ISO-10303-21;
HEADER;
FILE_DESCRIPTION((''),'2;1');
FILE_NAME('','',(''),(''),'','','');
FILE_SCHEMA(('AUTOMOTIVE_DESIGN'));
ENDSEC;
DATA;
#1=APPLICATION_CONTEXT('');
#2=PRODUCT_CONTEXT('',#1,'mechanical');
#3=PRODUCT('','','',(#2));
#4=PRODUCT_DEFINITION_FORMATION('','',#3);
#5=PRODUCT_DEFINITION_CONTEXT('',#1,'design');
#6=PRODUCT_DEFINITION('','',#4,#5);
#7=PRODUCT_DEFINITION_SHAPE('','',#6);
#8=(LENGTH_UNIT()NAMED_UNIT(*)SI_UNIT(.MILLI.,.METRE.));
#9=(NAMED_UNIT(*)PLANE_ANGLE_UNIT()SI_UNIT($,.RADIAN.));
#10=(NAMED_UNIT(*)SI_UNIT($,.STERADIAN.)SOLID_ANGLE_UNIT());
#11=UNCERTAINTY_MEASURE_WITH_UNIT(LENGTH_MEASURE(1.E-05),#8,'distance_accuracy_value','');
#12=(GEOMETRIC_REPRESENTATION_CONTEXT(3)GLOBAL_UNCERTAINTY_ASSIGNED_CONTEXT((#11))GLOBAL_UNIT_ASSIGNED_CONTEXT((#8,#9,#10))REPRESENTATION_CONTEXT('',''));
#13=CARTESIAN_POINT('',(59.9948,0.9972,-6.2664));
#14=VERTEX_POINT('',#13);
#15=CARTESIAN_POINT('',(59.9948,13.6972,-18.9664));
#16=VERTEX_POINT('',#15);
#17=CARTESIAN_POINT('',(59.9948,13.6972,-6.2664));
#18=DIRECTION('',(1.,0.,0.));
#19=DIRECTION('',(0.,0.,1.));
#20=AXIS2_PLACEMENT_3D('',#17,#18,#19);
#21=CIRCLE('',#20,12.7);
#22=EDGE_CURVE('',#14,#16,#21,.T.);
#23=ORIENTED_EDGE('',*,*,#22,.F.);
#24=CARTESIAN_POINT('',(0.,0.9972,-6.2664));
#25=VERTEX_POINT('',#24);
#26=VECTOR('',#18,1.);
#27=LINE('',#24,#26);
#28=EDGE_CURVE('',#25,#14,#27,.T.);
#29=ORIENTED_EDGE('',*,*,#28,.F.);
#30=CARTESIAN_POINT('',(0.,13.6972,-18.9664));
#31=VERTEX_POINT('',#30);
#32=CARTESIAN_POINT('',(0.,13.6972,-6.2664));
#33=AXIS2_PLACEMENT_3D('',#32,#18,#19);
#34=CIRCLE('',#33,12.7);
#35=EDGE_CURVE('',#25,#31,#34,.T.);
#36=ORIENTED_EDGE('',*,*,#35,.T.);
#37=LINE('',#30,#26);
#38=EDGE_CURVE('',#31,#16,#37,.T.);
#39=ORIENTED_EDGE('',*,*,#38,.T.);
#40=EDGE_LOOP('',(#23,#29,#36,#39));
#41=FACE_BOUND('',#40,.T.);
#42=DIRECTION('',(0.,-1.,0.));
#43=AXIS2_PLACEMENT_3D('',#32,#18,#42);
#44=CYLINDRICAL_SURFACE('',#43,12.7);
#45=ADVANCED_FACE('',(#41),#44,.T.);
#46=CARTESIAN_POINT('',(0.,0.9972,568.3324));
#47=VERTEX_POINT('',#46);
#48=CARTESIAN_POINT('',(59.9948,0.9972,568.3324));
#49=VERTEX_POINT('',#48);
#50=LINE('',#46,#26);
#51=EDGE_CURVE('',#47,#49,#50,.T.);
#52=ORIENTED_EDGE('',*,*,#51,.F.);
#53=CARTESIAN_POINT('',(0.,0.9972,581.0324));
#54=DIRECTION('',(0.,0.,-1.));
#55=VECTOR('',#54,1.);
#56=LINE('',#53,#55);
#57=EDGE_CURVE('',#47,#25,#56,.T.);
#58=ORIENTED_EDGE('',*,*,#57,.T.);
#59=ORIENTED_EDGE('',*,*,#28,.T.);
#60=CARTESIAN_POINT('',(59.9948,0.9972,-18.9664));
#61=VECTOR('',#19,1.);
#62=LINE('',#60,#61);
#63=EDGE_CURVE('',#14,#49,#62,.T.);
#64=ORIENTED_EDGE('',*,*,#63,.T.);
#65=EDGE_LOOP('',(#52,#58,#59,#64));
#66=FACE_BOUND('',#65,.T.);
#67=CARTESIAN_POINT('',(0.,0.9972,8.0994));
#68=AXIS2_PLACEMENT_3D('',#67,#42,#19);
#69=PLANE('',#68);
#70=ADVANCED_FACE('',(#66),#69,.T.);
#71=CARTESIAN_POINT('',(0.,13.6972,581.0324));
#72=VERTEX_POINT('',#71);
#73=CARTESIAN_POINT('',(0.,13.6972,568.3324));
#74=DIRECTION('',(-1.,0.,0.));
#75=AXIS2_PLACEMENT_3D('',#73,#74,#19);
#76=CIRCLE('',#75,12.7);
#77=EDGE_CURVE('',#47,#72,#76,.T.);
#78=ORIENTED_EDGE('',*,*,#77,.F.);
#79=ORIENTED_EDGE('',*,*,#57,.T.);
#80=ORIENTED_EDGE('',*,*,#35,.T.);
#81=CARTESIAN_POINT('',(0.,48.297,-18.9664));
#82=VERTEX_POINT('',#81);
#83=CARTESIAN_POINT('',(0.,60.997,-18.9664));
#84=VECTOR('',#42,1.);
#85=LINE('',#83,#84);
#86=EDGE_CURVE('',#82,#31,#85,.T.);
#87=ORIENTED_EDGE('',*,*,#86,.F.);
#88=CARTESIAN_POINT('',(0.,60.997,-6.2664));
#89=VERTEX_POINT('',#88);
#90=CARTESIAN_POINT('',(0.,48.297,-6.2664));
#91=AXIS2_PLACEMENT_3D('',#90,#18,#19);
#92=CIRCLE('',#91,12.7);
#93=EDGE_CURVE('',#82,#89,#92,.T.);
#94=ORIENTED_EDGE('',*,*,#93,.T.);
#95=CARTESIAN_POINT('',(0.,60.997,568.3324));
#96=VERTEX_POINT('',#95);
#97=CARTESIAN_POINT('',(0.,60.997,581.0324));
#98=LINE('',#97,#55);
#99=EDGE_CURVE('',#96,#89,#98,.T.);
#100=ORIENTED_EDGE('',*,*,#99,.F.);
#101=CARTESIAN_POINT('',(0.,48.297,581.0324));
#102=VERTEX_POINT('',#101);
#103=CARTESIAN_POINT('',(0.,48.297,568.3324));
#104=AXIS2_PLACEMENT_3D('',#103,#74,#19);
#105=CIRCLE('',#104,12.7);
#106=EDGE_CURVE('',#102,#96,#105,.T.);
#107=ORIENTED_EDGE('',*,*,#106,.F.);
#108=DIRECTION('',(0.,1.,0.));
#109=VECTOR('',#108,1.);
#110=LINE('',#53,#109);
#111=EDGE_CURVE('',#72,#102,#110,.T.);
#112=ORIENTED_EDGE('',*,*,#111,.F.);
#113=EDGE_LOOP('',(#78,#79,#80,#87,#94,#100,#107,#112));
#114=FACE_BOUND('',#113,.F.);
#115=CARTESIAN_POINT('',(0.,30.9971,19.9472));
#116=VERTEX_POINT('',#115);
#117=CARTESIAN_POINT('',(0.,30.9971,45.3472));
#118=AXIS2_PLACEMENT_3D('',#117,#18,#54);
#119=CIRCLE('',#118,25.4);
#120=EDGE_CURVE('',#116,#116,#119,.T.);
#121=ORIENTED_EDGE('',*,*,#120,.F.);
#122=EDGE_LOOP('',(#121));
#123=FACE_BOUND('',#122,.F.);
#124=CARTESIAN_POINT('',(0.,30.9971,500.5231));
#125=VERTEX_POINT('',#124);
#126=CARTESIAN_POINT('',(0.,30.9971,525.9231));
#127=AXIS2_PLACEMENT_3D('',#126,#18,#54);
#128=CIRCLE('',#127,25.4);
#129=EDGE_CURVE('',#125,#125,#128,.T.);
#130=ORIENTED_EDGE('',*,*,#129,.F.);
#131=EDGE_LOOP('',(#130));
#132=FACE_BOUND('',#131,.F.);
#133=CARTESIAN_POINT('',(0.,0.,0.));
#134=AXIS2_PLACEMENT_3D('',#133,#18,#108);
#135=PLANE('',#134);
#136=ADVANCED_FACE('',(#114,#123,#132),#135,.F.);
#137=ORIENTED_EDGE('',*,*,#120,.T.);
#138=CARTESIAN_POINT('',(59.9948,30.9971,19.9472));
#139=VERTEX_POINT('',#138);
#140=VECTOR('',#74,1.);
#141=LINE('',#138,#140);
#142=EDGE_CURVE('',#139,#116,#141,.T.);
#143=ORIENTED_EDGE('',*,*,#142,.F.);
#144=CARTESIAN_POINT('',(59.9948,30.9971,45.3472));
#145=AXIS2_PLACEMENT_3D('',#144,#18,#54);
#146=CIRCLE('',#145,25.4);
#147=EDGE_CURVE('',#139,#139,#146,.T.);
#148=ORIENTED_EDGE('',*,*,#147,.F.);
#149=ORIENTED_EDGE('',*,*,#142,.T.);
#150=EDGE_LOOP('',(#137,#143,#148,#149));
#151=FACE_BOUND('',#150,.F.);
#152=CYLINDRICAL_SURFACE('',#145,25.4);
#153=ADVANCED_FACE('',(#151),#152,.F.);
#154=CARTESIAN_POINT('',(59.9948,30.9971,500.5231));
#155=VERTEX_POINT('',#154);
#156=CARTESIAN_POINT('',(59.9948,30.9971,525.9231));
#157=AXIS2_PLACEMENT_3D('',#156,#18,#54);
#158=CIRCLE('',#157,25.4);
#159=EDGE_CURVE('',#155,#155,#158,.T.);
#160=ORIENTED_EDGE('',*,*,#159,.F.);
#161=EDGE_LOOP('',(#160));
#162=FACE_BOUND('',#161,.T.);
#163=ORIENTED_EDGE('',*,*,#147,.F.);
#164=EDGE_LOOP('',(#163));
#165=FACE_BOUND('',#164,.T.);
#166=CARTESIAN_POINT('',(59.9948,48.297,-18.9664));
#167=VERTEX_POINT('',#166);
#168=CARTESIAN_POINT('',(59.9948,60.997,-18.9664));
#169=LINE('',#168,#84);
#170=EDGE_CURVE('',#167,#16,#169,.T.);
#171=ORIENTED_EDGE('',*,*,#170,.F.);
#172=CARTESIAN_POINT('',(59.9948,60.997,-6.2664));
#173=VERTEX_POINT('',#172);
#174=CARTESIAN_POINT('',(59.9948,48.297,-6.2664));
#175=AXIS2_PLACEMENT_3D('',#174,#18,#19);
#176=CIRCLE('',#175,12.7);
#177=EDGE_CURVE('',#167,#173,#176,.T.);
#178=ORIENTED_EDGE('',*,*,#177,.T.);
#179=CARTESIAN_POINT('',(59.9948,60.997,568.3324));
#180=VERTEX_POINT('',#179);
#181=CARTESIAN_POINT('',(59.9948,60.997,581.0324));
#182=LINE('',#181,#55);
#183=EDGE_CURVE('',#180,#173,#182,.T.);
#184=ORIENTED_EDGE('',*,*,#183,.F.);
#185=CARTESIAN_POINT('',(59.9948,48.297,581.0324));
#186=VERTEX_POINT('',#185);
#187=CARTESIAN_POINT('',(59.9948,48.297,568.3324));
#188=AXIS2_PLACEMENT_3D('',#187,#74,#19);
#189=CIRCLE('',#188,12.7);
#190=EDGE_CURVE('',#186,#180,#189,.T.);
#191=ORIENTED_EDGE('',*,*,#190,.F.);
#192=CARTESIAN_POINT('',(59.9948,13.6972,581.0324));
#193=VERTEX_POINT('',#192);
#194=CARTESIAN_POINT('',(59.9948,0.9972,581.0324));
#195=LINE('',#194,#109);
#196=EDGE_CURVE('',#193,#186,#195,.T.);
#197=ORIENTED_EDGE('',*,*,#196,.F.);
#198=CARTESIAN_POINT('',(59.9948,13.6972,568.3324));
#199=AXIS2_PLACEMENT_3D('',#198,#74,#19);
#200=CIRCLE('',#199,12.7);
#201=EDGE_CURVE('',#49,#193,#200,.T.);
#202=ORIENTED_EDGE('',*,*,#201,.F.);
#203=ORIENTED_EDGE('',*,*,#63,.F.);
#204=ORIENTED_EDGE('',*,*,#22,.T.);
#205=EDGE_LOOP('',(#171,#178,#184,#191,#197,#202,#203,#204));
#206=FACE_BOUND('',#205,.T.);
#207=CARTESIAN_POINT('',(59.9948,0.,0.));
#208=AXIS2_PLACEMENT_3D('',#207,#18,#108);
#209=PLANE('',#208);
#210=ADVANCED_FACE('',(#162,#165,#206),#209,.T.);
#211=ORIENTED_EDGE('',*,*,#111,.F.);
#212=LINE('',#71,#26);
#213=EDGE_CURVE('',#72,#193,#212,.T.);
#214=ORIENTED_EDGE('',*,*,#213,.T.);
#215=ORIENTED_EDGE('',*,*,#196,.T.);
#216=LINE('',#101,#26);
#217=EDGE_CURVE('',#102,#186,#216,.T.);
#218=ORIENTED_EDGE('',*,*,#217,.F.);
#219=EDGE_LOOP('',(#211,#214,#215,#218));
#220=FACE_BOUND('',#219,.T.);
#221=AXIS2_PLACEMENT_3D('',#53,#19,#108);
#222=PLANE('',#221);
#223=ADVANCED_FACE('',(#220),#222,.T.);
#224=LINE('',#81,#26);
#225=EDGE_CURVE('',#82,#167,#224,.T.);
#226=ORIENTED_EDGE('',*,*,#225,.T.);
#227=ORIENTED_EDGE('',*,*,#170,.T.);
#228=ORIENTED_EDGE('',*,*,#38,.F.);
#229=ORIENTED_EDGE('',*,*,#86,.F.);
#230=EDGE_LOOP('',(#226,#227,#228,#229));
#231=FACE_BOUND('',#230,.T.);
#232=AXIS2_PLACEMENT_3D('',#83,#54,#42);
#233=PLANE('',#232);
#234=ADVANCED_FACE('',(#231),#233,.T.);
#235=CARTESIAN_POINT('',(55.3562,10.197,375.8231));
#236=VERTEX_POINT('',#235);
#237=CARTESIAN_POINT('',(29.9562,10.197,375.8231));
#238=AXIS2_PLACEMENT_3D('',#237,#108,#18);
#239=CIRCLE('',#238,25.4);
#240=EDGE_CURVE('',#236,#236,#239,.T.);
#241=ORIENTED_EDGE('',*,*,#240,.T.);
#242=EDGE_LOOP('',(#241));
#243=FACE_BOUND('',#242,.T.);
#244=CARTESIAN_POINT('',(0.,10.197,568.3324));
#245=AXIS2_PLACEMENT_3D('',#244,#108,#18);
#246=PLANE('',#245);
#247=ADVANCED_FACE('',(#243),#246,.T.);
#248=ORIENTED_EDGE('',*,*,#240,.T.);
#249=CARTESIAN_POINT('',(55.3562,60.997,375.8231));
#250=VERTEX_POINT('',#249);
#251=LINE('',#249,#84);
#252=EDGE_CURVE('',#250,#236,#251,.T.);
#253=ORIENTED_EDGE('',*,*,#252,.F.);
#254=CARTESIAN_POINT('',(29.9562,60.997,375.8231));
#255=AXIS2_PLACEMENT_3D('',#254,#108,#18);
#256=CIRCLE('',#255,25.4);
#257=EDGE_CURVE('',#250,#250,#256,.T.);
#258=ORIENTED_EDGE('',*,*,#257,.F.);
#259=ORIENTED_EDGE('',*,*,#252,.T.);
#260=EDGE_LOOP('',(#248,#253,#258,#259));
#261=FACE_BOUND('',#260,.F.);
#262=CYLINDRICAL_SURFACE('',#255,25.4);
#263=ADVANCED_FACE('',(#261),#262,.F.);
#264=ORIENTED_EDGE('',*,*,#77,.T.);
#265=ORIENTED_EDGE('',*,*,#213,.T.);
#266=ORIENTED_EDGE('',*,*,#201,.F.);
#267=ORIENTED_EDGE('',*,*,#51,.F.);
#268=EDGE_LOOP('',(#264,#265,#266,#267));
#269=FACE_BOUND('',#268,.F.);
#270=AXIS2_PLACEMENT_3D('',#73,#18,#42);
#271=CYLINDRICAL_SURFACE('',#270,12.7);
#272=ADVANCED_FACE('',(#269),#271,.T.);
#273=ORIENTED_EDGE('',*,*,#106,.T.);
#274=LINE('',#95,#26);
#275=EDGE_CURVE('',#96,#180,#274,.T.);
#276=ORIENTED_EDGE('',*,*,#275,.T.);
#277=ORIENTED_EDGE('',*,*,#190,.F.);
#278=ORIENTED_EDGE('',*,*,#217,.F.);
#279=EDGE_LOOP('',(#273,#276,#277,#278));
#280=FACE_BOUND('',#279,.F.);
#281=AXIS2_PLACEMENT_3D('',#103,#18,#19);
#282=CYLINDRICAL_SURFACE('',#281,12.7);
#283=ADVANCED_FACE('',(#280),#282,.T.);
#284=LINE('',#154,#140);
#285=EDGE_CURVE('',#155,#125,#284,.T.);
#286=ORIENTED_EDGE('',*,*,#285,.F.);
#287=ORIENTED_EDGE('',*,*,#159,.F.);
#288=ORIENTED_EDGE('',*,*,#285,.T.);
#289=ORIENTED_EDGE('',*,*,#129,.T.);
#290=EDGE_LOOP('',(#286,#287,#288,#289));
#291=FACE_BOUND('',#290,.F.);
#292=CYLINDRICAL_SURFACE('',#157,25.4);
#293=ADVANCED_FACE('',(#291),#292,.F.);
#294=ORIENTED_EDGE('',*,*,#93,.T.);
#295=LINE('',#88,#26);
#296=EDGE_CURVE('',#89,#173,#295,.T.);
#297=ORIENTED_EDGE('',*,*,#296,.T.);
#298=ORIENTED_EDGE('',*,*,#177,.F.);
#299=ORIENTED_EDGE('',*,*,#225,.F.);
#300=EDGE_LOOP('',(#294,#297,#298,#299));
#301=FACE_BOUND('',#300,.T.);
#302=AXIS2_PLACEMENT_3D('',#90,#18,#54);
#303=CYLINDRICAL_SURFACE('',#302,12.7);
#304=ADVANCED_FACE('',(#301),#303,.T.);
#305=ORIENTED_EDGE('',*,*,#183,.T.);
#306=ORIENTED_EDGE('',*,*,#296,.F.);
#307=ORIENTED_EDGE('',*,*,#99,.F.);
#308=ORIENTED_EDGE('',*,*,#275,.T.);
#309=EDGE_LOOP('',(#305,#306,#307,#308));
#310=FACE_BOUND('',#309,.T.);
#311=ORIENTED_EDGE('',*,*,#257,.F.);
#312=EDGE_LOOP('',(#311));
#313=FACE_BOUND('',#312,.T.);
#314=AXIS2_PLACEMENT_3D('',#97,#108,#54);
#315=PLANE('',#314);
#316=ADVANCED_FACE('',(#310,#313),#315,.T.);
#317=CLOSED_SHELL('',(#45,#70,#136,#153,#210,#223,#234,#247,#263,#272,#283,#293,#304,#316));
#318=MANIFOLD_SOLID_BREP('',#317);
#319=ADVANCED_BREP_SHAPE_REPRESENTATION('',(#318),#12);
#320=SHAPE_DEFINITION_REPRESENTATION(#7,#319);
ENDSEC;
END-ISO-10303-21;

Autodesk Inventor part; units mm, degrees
ref_plane "YZ Plane" through (0, 0, 0) normal (1, 0, 0) x (0, 1, 0)
ref_plane "XZ Plane" through (0, 0, 0) normal (0, 1, 0) x (-1, 0, 0)
ref_plane "XY Plane" through (0, 0, 0) normal (0, 0, 1) x (1, 0, 0)
sketch "Sketch1" plane through (0, 0, 0) normal (1, 0, 0) x (0, 1, 0)
  line L0 (0.9972, 8.0994) -> (0.9972, -18.9664)
  line L1 (0.9972, -18.9664) -> (0.9972, 581.0324)
  line L2 (0.9972, 581.0324) -> (60.997, 581.0324)
  line L3 (60.997, 581.0324) -> (60.997, -18.9664)
  line L4 (60.997, -18.9664) -> (0.9972, -18.9664)
  point P0 (0, 0)
  dimension "d0" = 599.9988
  dimension "d1" = 59.9999
extrude "Extrusion1" add sketch "Sketch1" along normal blind 59.9948
sketch "Sketch2" plane through (59.9948, 0, 0) normal (1, 0, 0) x (0, 0, -1)
  circle A0 centre (-525.9231, 30.9971) radius 25.4
  circle A1 centre (-45.3472, 30.9971) radius 25.4
  point P0 (0, 0)
  dimension "d4" = 50.8
  dimension "d5" = 50.8
extrude "Extrusion2" cut sketch "Sketch2" against normal blind 59.9948
fillet "Fillet1" radius 12.7 4 edges at (29.9974, 60.997, 581.0324) (29.9974, 0.9972, 581.0324) (29.9974, 60.997, -18.9664) (29.9974, 0.9972, -18.9664)
sketch "Sketch3" plane through (0, 60.997, 568.3324) normal (0, 1, 0) x (1, 0, 0)
  circle A0 centre (29.9562, 192.5093) radius 25.4
  point P0 (0, 568.3324)
  dimension "d9" = 50.8
extrude "Extrusion3" cut sketch "Sketch3" against normal blind 50.8
properties part number "legrod" material "Wood (Birch)"
